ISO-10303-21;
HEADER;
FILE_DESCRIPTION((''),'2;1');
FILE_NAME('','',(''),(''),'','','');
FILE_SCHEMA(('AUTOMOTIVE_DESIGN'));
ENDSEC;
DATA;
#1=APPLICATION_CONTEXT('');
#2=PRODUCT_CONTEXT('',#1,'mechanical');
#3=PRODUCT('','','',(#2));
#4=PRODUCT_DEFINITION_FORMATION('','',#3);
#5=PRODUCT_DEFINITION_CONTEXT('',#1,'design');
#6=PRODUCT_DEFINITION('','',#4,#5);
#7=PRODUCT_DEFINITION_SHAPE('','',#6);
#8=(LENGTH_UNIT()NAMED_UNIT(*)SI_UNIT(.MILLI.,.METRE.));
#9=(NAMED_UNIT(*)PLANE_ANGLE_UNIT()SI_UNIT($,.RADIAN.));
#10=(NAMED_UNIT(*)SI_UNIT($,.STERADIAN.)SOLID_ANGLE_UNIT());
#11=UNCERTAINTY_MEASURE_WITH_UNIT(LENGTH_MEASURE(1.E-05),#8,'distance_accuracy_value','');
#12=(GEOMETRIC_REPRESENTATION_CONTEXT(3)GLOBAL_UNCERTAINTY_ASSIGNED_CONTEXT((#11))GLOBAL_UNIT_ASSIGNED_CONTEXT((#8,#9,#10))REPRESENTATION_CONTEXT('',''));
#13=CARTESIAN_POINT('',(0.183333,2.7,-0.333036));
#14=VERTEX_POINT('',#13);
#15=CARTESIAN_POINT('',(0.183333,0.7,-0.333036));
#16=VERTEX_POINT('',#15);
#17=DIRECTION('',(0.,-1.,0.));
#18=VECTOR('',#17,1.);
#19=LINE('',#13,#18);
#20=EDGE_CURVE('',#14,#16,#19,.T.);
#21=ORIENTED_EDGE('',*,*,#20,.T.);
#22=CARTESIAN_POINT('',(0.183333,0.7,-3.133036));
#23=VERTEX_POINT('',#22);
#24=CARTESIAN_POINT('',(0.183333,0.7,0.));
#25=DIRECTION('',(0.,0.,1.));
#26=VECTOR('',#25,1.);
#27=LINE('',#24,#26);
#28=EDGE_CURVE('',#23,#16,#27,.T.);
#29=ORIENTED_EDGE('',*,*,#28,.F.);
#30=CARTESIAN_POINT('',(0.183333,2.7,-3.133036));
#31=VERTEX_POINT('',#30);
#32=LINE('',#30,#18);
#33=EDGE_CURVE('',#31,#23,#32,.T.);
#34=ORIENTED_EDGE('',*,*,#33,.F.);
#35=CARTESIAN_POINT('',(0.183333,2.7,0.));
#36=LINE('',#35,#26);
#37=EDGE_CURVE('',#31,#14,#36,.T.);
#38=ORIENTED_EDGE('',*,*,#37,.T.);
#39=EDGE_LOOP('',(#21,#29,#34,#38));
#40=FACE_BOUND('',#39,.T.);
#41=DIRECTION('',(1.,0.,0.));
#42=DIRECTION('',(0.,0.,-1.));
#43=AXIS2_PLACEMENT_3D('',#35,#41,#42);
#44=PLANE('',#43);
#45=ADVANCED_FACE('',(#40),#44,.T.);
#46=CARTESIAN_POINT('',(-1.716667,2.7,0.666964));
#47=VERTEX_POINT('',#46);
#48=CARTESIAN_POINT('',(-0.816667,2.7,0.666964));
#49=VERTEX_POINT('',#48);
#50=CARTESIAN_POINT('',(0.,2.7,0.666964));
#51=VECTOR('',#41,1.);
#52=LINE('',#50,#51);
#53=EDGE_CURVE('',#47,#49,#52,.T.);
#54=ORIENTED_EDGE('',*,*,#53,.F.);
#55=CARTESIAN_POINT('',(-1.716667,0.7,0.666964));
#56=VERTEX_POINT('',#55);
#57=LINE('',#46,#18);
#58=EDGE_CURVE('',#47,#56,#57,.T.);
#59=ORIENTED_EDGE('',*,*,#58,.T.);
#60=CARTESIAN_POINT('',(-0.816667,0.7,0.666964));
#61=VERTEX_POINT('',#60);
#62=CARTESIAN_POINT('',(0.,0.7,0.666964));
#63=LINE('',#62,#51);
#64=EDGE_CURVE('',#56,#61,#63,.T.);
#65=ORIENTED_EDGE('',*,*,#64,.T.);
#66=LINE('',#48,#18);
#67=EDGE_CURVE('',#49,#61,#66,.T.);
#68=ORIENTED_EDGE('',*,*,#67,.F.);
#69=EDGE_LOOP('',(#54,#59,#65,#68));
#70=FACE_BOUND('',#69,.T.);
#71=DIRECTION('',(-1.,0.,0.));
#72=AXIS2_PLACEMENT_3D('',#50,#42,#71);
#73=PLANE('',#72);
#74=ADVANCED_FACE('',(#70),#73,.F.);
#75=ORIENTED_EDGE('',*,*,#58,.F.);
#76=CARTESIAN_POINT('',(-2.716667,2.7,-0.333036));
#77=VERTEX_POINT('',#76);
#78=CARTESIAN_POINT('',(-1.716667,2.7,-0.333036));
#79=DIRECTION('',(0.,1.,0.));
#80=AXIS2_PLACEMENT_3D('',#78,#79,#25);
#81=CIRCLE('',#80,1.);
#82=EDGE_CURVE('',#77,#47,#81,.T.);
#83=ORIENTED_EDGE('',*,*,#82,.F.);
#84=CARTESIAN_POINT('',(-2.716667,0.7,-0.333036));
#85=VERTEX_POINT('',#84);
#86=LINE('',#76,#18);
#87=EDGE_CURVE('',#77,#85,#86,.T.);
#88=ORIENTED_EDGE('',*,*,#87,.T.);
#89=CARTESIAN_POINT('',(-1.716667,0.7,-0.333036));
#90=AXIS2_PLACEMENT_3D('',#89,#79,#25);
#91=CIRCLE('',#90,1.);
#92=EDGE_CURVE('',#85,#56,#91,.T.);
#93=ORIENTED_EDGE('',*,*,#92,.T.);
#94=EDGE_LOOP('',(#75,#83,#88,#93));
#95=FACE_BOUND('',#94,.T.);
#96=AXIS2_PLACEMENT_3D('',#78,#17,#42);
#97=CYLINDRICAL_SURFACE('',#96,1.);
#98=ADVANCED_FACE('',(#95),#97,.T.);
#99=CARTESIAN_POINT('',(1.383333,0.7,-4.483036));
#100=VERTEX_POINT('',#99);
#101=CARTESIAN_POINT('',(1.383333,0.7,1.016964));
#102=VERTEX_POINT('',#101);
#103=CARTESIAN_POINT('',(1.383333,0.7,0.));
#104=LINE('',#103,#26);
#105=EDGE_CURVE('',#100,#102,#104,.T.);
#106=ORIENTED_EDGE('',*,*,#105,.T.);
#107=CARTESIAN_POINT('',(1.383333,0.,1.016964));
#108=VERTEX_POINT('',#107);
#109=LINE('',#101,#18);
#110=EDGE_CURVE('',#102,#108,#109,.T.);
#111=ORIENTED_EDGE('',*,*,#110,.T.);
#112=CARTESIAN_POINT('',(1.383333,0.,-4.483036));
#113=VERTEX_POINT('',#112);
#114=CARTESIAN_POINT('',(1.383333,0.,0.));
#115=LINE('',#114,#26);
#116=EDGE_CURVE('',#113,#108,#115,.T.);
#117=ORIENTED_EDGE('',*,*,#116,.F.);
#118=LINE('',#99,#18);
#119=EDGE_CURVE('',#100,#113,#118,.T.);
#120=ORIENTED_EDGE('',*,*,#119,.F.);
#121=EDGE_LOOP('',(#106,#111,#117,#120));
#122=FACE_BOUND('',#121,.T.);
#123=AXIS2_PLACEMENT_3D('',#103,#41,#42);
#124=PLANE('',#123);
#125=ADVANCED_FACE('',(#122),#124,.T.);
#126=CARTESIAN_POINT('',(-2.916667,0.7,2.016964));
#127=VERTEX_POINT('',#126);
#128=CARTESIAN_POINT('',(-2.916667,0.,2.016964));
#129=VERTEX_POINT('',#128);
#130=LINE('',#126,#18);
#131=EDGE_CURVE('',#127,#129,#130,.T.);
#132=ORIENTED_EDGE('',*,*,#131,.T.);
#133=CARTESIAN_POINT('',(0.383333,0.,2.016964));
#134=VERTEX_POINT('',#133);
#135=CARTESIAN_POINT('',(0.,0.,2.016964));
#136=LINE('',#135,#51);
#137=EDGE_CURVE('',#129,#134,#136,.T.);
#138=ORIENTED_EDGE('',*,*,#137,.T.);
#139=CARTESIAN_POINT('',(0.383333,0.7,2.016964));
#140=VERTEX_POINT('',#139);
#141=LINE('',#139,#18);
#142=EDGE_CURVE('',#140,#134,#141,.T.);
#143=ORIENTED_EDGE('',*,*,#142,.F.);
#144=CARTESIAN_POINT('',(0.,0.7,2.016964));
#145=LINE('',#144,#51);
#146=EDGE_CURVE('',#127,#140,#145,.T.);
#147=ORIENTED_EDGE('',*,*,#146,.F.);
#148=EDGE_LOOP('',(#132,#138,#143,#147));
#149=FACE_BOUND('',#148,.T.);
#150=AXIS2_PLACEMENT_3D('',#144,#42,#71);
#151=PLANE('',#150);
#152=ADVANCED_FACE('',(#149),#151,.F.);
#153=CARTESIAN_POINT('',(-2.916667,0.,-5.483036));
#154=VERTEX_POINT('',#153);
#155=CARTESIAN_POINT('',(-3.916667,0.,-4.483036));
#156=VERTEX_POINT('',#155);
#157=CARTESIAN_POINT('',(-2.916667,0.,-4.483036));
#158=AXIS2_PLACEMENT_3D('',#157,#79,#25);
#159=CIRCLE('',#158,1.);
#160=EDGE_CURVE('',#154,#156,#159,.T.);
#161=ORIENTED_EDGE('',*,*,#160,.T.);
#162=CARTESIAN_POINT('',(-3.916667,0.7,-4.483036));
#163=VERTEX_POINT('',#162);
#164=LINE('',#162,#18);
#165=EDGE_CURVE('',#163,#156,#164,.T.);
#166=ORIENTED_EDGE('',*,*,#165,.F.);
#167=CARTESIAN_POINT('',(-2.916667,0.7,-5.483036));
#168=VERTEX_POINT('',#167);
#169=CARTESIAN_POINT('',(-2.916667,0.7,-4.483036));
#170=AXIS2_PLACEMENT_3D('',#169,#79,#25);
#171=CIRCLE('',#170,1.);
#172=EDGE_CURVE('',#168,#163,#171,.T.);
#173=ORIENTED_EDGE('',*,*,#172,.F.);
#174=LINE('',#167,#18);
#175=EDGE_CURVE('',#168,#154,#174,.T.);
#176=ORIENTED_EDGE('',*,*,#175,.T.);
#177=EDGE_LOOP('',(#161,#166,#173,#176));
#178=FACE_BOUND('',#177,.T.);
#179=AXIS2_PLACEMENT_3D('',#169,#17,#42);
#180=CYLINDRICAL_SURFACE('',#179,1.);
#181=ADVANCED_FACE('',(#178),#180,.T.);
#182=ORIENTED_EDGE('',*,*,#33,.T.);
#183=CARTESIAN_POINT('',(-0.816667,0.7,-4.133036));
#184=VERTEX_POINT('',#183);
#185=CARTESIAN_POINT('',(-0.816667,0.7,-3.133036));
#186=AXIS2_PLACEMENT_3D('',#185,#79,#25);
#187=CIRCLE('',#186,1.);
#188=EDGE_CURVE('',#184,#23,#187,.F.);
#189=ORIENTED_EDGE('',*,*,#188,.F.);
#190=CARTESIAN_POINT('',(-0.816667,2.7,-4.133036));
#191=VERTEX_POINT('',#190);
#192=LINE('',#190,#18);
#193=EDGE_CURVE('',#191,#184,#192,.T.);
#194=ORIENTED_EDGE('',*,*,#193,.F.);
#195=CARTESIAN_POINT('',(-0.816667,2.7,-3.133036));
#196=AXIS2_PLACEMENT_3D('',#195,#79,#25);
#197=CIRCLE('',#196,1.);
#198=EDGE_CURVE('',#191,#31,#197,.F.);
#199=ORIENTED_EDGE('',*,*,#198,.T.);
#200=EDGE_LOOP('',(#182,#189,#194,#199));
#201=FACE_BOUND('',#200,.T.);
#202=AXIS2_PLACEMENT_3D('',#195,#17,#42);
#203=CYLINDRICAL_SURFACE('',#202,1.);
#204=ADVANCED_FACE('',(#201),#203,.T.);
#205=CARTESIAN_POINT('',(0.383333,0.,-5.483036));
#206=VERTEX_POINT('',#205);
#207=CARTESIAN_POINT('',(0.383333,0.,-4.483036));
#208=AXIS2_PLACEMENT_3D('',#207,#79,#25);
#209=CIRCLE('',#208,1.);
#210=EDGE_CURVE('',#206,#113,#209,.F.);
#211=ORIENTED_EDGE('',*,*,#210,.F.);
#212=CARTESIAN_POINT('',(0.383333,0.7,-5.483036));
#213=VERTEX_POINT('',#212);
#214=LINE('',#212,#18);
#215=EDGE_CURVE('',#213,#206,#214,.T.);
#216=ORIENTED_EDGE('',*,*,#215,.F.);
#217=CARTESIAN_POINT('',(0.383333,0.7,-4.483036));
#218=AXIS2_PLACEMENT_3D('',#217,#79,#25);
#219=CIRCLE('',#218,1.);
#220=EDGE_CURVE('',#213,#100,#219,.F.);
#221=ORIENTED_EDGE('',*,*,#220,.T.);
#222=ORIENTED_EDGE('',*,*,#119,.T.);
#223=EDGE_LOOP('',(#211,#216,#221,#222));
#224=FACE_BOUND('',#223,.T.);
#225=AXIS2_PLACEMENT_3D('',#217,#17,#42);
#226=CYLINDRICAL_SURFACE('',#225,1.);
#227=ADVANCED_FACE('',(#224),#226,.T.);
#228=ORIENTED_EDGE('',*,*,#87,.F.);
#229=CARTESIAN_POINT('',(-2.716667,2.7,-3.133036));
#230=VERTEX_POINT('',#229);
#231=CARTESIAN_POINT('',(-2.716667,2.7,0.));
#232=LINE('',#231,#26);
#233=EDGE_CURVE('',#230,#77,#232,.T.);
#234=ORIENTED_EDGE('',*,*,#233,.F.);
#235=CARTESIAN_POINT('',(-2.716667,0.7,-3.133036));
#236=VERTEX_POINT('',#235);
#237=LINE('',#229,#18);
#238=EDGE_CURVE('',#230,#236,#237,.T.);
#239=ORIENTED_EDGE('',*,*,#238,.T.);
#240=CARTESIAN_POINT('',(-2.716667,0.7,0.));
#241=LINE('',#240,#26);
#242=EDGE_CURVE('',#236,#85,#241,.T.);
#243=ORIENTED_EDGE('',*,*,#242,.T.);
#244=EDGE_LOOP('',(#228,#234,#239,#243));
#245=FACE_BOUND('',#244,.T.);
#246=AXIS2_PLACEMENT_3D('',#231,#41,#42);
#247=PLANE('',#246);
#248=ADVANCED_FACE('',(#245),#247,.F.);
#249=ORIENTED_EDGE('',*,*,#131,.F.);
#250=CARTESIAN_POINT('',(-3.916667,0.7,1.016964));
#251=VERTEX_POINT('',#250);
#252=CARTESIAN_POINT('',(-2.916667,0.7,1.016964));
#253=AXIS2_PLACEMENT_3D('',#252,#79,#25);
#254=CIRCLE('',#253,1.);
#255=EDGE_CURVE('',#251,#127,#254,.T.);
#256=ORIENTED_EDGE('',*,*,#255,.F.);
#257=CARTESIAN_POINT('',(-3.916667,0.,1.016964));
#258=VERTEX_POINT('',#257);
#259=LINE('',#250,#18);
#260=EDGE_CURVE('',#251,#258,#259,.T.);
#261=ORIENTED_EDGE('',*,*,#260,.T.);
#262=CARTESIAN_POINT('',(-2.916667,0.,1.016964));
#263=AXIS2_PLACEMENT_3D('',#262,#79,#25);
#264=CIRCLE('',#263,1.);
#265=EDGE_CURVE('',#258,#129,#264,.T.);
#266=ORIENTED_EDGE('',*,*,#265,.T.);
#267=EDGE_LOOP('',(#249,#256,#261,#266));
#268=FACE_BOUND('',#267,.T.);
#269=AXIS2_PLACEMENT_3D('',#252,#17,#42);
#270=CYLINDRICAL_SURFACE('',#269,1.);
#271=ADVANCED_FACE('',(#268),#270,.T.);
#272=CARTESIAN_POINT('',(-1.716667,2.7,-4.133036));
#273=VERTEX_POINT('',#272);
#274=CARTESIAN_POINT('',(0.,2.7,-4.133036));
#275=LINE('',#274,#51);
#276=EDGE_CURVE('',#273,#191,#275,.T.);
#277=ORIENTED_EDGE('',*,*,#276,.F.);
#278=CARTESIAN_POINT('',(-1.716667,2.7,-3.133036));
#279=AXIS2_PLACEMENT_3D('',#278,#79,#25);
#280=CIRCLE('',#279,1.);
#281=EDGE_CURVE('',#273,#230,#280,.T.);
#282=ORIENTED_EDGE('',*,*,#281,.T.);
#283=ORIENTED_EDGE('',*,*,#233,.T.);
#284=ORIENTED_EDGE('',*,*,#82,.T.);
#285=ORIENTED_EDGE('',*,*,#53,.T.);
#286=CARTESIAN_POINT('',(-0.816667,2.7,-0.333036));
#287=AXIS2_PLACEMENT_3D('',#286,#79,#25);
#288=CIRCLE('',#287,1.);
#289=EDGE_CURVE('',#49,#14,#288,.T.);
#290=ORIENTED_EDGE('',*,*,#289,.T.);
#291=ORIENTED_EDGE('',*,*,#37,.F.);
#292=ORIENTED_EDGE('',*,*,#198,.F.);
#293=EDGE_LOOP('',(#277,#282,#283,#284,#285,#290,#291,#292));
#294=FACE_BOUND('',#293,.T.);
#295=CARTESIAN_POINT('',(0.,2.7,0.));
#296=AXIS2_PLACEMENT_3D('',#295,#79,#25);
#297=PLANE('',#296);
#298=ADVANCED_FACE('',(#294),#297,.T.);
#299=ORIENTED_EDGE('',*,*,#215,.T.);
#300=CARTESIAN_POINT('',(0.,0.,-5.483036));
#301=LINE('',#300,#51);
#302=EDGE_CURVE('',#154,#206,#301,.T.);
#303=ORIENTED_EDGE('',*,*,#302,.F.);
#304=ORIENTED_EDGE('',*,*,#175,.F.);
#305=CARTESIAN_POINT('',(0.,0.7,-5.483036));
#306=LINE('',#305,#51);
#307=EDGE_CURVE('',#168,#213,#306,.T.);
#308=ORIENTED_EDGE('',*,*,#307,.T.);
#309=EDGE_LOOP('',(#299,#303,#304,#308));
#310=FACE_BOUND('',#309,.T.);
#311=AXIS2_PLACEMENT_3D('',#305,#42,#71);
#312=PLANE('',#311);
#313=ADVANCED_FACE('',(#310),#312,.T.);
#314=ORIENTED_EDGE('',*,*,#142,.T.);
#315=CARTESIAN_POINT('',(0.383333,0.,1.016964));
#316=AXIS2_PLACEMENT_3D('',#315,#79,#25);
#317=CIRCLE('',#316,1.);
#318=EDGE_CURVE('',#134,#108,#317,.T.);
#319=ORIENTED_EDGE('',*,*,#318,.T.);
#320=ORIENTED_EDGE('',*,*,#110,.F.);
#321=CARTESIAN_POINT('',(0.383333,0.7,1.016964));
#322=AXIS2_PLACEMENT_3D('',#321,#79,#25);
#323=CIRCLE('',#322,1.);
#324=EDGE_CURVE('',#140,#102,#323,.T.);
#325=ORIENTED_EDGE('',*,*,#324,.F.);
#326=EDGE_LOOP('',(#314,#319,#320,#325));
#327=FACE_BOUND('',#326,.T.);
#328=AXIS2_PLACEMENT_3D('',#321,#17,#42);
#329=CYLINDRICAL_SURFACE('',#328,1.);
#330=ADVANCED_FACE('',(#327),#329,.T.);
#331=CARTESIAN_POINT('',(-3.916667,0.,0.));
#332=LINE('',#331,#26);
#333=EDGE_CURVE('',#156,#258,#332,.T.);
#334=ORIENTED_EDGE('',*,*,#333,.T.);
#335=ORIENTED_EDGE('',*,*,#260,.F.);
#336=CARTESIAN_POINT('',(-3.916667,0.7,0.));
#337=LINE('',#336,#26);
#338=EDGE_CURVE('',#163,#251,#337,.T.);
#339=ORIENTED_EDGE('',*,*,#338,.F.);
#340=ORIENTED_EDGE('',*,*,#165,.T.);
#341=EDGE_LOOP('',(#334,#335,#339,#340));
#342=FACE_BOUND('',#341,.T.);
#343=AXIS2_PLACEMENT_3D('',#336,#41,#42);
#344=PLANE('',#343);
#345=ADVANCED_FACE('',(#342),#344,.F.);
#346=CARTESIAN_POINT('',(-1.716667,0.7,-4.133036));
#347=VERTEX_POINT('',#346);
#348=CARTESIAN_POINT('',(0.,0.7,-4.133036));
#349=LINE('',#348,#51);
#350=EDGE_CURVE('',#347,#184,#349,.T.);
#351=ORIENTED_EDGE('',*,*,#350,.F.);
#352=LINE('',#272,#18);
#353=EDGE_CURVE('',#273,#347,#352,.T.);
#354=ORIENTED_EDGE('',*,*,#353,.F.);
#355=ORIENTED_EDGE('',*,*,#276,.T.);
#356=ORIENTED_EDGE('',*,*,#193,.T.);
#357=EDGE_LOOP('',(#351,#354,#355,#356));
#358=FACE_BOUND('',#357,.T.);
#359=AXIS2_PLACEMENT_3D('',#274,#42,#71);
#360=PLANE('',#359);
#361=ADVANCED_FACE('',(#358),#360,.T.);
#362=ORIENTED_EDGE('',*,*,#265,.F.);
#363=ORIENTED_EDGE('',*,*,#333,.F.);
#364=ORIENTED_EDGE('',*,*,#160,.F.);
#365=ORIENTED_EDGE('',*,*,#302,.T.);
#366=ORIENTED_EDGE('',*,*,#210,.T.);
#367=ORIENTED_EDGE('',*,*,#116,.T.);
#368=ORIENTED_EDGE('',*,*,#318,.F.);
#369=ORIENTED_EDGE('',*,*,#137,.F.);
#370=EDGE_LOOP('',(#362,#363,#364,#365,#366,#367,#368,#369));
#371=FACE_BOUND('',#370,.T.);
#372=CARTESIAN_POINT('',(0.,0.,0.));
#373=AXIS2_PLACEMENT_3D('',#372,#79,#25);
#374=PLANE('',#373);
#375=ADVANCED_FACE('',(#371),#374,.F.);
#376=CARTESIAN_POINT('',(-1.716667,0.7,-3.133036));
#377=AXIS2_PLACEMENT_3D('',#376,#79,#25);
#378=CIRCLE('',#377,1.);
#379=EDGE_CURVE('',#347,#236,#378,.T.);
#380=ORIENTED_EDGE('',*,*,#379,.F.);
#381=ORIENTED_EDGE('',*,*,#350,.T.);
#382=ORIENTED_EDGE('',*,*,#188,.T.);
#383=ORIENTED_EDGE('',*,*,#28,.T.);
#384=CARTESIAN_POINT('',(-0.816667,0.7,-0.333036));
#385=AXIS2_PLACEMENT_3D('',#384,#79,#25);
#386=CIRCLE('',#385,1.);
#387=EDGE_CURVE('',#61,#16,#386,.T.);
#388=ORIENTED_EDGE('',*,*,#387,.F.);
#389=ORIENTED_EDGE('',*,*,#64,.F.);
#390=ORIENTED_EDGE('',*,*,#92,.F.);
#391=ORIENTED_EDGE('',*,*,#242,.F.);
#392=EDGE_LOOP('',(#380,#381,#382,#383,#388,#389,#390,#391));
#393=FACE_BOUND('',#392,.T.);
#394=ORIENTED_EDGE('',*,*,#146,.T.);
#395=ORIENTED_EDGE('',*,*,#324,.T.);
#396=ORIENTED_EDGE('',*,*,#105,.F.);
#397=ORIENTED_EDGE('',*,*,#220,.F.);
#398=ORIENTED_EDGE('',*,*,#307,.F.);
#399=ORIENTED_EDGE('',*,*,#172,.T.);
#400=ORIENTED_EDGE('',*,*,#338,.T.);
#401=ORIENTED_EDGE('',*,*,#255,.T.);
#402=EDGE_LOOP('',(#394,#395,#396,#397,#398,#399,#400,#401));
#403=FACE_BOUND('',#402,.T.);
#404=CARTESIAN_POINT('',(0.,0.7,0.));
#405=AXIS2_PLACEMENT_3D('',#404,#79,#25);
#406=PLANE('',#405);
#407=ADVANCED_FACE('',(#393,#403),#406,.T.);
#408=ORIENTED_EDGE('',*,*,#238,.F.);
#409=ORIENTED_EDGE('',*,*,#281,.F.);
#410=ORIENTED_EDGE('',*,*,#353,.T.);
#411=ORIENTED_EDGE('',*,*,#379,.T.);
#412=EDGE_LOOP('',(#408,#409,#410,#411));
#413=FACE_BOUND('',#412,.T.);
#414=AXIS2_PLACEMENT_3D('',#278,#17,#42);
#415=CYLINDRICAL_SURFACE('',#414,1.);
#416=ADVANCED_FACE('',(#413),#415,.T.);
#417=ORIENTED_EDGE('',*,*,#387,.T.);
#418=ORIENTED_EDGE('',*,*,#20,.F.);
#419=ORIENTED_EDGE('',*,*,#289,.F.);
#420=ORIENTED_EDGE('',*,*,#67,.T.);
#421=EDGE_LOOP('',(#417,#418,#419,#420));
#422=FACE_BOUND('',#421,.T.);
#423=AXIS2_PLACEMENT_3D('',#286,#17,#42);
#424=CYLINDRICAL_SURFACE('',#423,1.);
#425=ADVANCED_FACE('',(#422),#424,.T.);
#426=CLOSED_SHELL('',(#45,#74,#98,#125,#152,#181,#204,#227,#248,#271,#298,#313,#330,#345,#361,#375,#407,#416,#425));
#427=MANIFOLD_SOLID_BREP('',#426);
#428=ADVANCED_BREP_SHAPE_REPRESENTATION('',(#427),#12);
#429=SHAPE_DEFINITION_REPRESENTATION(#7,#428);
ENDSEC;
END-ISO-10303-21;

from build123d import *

# Parameters (mm, degrees)
EXTRUDE_1_DEPTH = 0.7
EXTRUDE_3_DEPTH = 2.7


with BuildPart() as part:
    # 草图1 → 凸台-拉伸1 (new body)
    with BuildSketch(Plane(origin=(0, 0, 0), x_dir=(1, 0, 0), z_dir=(0, 1, 0))):
        with BuildLine():
            Line((0.383333333, 5.483035714), (-2.916666667, 5.483035714))
            ThreePointArc((-2.916666667, 5.483035714), (-3.623773448, 5.190142495), (-3.916666667, 4.483035714))
            Line((-3.916666667, 4.483035714), (-3.916666667, -1.016964286))
            ThreePointArc((-3.916666667, -1.016964286), (-3.623773448, -1.724071067), (-2.916666667, -2.016964286))
            Line((-2.916666667, -2.016964286), (0.383333333, -2.016964286))
            ThreePointArc((0.383333333, -2.016964286), (1.090440115, -1.724071067), (1.383333333, -1.016964286))
            Line((1.383333333, -1.016964286), (1.383333333, 4.483035714))
            ThreePointArc((1.383333333, 4.483035714), (1.090440115, 5.190142495), (0.383333333, 5.483035714))
        make_face()
        with BuildLine():
            ThreePointArc((-2.716666667, 3.133035714), (-2.423773448, 3.840142495), (-1.716666667, 4.133035714))
            Line((-1.716666667, 4.133035714), (-0.816666667, 4.133035714))
            ThreePointArc((-0.816666667, 4.133035714), (-0.109559885, 3.840142495), (0.183333333, 3.133035714))
            Line((0.183333333, 3.133035714), (0.183333333, 0.333035714))
            ThreePointArc((0.183333333, 0.333035714), (-0.109559885, -0.374071067), (-0.816666667, -0.666964286))
            Line((-0.816666667, -0.666964286), (-1.716666667, -0.666964286))
            ThreePointArc((-1.716666667, -0.666964286), (-2.423773448, -0.374071067), (-2.716666667, 0.333035714))
            Line((-2.716666667, 0.333035714), (-2.716666667, 3.133035714))
        make_face(mode=Mode.SUBTRACT)
    extrude(amount=EXTRUDE_1_DEPTH)

    # 草图1<6> → 凸台-拉伸3 (add)
    with BuildSketch(Plane(origin=(0, 0, 0), x_dir=(1, 0, 0), z_dir=(0, 1, 0))):
        with BuildLine():
            Line((-0.816666667, 4.133035714), (-1.716666667, 4.133035714))
            ThreePointArc((-1.716666667, 4.133035714), (-2.423773448, 3.840142495), (-2.716666667, 3.133035714))
            Line((-2.716666667, 3.133035714), (-2.716666667, 0.333035714))
            ThreePointArc((-2.716666667, 0.333035714), (-2.423773448, -0.374071067), (-1.716666667, -0.666964286))
            Line((-1.716666667, -0.666964286), (-0.816666667, -0.666964286))
            ThreePointArc((-0.816666667, -0.666964286), (-0.109559885, -0.374071067), (0.183333333, 0.333035714))
            Line((0.183333333, 0.333035714), (0.183333333, 3.133035714))
            ThreePointArc((0.183333333, 3.133035714), (-0.109559885, 3.840142495), (-0.816666667, 4.133035714))
        make_face()
    extrude(amount=EXTRUDE_3_DEPTH)


solid = part.part
